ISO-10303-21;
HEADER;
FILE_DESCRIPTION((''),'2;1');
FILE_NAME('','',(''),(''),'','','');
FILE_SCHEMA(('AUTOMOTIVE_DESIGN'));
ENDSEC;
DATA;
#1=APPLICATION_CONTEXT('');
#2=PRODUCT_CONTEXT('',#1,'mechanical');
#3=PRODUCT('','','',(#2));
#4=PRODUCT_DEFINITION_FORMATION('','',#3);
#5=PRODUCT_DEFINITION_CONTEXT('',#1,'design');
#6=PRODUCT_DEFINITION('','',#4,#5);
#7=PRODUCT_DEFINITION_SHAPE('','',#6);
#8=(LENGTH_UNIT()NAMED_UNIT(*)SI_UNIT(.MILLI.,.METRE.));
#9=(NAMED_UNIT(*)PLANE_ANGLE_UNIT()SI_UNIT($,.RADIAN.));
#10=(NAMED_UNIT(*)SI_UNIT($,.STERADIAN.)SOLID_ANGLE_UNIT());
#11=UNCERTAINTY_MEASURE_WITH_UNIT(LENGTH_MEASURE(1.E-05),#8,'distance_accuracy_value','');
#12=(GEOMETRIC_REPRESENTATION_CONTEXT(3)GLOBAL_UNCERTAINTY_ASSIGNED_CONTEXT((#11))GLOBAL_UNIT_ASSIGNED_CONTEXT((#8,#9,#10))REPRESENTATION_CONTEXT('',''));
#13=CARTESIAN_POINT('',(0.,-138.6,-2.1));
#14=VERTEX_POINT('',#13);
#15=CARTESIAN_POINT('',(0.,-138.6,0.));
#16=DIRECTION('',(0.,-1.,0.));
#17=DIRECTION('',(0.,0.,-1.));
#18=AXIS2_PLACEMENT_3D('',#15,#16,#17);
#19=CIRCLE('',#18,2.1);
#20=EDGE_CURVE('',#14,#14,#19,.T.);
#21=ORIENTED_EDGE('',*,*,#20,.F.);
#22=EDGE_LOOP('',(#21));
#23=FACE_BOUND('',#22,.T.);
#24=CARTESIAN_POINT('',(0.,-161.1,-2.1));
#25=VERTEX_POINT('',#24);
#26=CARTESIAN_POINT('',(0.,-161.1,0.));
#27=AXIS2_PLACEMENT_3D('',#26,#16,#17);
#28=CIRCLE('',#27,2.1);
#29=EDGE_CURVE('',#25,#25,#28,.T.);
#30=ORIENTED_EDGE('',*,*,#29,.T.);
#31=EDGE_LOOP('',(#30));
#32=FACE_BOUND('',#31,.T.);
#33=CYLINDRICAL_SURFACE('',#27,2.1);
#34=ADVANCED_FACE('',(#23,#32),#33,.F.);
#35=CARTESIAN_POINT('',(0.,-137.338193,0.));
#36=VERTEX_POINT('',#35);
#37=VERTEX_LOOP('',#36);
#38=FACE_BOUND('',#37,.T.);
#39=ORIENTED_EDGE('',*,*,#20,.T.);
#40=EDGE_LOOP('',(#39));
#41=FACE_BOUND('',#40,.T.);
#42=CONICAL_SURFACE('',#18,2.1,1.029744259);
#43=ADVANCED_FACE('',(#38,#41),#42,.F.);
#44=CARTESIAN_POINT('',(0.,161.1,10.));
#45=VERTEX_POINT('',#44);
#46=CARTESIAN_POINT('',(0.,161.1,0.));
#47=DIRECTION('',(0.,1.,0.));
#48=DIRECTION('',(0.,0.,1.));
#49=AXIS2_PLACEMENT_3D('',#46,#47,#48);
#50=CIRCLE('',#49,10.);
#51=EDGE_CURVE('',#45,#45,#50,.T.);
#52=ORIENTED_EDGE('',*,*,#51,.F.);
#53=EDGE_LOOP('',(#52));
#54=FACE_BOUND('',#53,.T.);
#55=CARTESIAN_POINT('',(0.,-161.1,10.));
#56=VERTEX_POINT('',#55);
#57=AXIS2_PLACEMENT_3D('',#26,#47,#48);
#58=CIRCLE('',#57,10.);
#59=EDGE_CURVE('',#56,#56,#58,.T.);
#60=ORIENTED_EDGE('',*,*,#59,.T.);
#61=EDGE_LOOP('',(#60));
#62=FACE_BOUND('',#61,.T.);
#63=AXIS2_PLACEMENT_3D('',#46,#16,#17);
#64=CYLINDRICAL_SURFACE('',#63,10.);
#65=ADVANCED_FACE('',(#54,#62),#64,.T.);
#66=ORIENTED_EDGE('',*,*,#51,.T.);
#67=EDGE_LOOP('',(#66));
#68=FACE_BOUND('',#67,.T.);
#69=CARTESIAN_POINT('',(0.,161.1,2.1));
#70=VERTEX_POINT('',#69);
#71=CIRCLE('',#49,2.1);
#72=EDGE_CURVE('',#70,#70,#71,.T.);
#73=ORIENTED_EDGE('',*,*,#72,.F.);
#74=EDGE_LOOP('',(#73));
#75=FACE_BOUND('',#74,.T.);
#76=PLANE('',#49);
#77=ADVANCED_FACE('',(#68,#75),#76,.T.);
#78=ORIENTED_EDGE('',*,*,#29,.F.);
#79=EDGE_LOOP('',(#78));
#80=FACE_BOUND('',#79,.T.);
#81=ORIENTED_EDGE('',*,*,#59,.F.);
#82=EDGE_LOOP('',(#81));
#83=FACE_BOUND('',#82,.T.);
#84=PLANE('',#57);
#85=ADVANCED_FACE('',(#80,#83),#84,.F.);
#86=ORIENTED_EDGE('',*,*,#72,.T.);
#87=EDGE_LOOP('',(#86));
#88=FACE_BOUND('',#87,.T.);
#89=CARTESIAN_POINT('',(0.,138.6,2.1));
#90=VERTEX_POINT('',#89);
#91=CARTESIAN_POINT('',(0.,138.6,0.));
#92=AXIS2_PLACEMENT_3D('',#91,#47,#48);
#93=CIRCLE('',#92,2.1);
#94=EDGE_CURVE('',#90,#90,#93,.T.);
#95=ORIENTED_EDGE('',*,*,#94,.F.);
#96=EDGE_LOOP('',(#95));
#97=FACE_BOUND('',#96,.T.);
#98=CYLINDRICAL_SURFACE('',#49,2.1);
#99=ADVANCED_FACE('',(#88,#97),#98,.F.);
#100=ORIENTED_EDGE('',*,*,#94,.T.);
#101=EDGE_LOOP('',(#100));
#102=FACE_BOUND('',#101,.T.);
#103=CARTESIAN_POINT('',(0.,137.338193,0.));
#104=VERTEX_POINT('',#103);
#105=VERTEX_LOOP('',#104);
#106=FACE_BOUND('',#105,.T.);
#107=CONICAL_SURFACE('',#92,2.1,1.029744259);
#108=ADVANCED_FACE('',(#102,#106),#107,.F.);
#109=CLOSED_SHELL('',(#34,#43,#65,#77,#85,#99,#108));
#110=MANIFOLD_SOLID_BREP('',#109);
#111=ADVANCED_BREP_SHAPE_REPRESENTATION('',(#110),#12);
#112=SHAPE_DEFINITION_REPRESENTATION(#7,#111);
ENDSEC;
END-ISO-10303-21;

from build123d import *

# Parameters (mm, degrees)
SKETCH1_R           = 10
BOSS_EXTRUDE1_DEPTH = 161.1


with BuildPart() as part:
    # Sketch1 → Boss-Extrude1 (new body, symmetric)
    with BuildSketch(Plane(origin=(0, 0, 0), x_dir=(1, 0, 0), z_dir=(0, 1, 0))):
        Circle(SKETCH1_R)
    extrude(amount=BOSS_EXTRUDE1_DEPTH, both=True)

    # Sketch3 → M5x0.8 Tapped Hole1 (revolve, cut)
    with BuildSketch(Plane(origin=(0, 161.1, 0), x_dir=(0, 0, 1), z_dir=(1, 0, 0))):
        Polygon((0, 0), (0, 23.7618073), (2.1, 22.5), (2.1, 0), align=None)
    m5x0_8_tapped_hole1 = revolve(axis=Axis((0, 167.45, 0), (0, -1, 0)), mode=Mode.SUBTRACT)

    # Mirror1: M5x0.8 Tapped Hole1 across plane
    add(m5x0_8_tapped_hole1.mirror(Plane.ZX), mode=Mode.SUBTRACT)


solid = part.part
